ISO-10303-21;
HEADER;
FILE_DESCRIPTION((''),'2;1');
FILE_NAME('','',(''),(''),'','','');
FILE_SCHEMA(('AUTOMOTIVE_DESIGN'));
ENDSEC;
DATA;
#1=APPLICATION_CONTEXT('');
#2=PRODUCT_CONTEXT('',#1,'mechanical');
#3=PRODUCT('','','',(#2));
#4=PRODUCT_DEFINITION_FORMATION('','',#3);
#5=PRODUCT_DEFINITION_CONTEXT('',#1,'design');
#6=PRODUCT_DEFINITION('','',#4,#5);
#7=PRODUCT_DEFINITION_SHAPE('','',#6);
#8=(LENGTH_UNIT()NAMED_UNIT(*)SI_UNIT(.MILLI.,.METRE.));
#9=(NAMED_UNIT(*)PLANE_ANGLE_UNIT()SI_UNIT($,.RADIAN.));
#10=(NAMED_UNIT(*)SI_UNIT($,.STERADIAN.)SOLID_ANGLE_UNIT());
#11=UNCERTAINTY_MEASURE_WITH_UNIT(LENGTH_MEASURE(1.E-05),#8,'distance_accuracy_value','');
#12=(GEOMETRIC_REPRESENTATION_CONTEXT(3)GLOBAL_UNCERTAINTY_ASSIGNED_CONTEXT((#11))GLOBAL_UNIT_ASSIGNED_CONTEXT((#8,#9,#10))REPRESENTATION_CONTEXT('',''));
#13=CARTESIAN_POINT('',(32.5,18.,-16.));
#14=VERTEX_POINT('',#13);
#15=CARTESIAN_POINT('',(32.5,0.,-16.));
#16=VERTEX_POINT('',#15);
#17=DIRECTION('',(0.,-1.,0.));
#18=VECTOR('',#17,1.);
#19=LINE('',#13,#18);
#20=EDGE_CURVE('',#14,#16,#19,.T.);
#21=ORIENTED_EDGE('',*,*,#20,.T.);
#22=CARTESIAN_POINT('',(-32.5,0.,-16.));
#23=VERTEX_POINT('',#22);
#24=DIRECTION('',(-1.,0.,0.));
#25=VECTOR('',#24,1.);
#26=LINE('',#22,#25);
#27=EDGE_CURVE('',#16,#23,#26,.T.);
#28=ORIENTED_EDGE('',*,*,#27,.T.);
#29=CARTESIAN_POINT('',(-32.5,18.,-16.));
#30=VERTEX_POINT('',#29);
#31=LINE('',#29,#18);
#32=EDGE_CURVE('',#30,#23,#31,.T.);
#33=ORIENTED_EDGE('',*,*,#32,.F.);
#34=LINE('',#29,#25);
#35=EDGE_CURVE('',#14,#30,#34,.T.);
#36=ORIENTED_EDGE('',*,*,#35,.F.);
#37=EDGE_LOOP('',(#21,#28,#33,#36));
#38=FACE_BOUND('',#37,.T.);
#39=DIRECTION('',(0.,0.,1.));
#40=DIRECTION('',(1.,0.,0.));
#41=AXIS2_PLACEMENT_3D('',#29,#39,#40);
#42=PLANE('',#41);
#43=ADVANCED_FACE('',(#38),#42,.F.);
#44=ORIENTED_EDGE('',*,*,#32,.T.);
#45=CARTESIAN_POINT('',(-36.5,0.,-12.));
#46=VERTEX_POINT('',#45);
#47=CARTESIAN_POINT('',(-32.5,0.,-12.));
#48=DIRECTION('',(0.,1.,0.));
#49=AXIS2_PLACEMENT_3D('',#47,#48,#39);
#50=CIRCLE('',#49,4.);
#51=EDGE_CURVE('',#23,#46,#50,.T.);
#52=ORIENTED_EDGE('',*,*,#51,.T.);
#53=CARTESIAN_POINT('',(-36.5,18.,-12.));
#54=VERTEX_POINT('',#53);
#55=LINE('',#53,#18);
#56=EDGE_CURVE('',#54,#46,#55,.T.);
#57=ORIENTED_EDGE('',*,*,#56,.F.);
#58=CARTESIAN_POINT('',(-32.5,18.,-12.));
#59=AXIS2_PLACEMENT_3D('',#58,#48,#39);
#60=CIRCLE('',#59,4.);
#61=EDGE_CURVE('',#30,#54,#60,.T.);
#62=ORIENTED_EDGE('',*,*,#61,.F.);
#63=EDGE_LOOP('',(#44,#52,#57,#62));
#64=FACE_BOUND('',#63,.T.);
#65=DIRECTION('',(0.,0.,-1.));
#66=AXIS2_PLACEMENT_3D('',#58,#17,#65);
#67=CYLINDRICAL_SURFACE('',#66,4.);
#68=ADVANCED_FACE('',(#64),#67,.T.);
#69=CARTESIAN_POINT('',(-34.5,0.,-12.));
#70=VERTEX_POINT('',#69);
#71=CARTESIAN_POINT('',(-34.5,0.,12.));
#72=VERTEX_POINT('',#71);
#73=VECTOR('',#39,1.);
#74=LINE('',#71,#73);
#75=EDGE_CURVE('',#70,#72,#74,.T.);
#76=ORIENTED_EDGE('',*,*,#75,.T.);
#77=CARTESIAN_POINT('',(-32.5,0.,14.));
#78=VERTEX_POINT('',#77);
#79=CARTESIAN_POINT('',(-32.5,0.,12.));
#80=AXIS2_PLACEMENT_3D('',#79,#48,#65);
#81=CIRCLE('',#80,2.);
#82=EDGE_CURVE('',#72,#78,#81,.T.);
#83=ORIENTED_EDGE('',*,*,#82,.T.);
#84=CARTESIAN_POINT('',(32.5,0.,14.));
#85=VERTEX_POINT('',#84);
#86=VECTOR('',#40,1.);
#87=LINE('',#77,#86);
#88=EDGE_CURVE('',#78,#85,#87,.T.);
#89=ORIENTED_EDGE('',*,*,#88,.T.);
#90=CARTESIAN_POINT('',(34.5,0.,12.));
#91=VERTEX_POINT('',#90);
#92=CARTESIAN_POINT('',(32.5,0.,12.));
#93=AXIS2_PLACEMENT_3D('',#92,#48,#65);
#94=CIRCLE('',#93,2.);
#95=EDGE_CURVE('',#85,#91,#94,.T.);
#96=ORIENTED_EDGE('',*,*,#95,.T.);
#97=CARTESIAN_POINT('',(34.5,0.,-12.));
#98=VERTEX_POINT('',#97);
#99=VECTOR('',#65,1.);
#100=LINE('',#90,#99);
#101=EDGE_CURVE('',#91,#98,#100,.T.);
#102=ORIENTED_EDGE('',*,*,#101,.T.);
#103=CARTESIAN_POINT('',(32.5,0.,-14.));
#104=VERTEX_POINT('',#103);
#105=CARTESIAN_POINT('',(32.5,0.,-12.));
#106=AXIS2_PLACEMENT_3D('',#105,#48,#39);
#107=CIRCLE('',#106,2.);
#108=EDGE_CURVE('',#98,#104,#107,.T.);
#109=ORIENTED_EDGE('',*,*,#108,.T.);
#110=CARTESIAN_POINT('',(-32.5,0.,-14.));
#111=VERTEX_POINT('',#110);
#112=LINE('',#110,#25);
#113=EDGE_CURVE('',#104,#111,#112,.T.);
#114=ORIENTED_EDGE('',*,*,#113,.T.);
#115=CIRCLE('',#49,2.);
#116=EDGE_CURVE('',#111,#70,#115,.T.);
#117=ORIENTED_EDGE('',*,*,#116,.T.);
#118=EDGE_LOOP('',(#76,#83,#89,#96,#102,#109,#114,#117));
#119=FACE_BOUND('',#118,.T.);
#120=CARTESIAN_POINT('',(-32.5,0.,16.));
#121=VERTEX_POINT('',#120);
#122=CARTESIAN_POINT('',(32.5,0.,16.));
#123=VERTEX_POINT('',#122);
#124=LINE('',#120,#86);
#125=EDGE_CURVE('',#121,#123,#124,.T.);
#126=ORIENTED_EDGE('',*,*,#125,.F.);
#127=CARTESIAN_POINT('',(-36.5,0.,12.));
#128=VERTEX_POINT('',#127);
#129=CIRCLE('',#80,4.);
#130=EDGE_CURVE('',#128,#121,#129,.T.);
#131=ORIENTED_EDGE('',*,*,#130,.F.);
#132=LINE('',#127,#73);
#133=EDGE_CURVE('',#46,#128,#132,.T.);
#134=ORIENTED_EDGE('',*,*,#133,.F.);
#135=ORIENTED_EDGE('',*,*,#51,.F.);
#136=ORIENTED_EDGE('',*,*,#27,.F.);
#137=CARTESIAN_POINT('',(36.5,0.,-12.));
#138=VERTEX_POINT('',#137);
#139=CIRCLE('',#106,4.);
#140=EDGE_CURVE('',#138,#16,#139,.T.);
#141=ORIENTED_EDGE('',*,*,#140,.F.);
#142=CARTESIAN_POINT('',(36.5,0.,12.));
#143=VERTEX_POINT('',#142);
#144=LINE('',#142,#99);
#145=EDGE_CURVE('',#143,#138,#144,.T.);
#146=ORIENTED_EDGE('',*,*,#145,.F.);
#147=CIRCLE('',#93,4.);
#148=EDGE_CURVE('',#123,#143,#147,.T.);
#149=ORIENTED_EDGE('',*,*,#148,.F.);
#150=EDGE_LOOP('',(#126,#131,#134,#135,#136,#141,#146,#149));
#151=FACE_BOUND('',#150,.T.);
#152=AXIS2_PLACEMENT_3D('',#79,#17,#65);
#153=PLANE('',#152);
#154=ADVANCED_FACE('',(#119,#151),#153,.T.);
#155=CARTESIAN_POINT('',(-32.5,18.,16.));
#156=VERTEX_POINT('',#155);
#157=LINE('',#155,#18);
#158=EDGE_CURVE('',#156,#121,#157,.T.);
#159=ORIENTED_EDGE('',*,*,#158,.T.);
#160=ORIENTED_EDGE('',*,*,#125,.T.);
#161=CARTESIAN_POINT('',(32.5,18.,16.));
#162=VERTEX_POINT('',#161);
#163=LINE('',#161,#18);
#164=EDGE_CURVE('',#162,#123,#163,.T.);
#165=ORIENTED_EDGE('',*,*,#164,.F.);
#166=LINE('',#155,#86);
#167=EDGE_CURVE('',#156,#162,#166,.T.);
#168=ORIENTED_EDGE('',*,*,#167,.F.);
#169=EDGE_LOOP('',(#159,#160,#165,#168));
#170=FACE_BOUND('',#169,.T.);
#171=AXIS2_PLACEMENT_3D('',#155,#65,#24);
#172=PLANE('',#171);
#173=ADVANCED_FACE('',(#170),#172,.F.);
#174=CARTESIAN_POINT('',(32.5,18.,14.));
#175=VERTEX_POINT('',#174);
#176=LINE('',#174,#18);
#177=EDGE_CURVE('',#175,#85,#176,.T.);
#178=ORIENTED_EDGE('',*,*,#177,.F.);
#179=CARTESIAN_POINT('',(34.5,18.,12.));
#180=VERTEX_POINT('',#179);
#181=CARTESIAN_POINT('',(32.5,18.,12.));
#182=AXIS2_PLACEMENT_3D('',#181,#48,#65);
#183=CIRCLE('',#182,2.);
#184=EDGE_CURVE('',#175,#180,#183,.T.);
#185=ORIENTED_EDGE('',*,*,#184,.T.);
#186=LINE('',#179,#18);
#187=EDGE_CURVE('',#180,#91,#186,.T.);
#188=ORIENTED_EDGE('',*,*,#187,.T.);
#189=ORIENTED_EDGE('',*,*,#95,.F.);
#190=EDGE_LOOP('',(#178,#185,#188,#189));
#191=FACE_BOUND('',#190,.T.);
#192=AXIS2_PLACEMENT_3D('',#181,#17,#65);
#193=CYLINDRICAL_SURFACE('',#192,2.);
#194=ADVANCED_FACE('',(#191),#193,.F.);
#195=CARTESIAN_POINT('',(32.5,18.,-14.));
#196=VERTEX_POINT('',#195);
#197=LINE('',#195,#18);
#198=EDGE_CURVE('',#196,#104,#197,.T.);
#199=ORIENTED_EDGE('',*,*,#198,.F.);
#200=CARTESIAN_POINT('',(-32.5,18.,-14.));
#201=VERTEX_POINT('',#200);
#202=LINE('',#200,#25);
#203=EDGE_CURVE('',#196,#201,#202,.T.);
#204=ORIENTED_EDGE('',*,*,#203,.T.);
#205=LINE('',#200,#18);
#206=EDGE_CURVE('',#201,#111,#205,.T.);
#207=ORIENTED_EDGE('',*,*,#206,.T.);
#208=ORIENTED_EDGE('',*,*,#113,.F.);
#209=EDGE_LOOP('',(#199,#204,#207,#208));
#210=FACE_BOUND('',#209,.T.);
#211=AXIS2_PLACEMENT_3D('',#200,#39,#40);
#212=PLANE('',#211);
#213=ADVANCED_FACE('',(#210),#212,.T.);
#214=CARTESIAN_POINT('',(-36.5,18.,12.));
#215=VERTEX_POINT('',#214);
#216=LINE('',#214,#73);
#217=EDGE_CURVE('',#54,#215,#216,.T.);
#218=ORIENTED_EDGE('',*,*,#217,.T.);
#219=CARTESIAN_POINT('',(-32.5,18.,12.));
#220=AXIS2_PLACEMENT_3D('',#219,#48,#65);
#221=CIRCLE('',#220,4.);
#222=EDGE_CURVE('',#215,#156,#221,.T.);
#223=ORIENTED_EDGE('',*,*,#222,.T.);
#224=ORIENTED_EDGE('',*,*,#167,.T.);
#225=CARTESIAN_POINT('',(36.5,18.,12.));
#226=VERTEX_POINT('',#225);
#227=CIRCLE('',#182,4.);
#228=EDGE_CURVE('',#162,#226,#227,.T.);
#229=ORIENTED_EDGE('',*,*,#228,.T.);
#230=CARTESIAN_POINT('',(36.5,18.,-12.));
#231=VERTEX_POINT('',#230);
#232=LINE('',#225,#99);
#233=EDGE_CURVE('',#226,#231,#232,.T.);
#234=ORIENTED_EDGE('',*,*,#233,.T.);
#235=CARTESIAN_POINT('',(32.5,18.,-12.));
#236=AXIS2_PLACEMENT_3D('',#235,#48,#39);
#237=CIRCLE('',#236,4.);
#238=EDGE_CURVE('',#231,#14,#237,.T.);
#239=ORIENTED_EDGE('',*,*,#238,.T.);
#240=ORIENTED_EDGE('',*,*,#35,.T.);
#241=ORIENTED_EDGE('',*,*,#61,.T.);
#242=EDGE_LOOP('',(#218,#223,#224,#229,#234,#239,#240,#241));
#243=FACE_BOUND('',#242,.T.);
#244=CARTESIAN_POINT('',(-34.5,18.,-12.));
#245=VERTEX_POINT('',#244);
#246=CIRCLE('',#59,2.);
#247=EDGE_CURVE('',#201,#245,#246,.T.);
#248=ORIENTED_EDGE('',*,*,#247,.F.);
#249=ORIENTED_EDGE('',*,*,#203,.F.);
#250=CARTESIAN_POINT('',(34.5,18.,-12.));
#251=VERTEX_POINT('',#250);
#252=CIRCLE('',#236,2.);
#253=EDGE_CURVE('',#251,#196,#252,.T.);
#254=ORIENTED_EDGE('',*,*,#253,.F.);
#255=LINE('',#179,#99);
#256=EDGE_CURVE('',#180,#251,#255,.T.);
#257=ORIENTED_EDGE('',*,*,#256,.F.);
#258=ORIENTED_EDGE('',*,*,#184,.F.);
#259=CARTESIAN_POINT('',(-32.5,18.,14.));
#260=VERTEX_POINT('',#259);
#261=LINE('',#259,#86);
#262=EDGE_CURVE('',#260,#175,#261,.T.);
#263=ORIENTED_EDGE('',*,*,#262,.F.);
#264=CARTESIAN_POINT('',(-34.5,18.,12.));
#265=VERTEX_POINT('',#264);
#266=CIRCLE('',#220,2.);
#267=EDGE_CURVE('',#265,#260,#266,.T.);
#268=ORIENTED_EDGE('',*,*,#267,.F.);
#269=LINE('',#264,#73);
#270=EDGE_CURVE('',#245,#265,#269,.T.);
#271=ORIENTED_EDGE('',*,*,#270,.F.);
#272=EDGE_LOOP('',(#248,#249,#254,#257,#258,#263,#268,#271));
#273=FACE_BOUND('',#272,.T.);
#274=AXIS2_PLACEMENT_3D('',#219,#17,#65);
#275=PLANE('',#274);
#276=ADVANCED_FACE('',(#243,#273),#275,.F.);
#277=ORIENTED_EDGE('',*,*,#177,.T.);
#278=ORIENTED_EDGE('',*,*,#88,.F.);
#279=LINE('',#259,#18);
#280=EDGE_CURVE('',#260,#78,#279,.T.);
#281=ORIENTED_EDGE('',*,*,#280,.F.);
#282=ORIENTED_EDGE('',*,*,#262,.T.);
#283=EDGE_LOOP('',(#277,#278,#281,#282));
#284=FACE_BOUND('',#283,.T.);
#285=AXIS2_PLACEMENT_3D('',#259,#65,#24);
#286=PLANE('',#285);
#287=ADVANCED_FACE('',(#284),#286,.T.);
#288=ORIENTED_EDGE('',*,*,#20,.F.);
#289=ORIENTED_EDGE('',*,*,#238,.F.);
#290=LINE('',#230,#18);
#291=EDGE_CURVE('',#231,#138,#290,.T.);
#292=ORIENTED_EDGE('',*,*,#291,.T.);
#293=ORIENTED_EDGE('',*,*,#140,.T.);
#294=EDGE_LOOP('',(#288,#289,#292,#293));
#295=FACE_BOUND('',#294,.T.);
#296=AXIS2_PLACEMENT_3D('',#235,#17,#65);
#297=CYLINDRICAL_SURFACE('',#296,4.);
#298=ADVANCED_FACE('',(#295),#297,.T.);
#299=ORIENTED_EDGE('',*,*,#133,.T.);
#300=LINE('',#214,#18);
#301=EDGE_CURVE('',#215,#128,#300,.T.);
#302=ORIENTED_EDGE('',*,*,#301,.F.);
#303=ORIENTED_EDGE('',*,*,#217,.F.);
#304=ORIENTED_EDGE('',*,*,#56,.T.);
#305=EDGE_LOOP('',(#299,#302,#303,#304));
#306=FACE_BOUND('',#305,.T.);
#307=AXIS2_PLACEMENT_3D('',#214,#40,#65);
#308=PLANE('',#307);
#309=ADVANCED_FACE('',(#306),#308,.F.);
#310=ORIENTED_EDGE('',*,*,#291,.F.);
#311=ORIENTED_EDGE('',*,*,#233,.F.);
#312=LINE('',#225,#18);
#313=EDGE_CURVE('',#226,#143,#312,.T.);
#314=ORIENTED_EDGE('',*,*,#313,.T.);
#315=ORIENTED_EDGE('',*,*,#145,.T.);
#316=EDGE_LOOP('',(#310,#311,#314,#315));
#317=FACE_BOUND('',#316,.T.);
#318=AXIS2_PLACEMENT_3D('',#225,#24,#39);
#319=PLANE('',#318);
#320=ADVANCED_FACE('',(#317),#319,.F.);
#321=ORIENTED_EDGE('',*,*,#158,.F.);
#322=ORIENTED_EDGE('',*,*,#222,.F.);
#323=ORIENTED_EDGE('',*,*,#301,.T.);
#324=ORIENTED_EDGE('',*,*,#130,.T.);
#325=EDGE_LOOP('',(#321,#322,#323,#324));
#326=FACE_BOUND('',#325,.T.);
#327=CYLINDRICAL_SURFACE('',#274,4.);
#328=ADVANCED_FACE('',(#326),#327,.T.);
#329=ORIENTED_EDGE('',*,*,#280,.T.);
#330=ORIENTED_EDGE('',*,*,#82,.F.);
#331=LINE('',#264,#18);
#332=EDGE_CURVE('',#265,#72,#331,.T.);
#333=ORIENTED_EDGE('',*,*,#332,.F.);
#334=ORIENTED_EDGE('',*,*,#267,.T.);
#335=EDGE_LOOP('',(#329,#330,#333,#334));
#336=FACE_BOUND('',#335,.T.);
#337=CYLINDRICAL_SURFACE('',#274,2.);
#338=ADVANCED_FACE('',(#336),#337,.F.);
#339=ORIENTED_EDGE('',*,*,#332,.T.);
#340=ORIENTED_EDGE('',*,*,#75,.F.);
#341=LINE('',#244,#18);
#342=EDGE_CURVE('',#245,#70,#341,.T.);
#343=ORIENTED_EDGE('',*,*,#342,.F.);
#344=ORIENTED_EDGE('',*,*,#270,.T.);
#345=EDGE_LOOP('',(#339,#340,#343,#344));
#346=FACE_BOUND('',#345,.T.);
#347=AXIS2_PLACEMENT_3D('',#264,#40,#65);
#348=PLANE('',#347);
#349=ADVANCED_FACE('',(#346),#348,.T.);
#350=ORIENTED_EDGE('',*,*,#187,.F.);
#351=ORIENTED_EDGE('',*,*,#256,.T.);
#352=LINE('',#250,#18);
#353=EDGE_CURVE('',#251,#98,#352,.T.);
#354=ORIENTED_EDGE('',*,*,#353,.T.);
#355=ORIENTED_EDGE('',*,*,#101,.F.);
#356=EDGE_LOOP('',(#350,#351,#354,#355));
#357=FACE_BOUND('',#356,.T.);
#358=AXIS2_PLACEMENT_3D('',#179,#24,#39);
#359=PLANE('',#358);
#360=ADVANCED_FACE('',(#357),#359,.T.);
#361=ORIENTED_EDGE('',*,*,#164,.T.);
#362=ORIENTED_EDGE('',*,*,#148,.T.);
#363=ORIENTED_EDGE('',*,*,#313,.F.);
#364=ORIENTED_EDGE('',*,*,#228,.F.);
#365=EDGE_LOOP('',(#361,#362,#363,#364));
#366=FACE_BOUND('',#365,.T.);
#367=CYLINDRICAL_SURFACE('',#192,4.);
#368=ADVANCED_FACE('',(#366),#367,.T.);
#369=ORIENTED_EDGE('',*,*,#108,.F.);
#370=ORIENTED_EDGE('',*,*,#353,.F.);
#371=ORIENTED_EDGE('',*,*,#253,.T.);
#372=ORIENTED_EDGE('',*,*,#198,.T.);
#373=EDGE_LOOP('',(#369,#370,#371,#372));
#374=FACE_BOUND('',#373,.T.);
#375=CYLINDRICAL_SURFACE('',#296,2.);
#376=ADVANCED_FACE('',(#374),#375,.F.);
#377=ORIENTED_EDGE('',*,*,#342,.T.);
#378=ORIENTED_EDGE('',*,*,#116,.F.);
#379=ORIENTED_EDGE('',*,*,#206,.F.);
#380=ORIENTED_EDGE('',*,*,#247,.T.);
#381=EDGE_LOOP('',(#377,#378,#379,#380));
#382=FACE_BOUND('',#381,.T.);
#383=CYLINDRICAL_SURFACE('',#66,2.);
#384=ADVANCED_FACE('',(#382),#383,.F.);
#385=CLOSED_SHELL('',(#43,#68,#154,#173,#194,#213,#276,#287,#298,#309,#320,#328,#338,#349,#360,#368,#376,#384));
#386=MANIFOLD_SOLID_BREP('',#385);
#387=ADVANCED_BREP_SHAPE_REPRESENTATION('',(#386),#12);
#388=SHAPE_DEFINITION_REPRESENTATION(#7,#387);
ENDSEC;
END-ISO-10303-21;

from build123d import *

# Parameters (mm, degrees)
BOSS_EXTRUDE2_DEPTH = 18


with BuildPart() as part:
    # Sketch1 → Boss-Extrude2 (new body)
    with BuildSketch(Plane(origin=(0, 0, 0), x_dir=(1, 0, 0), z_dir=(0, 1, 0))):
        with BuildLine():
            Line((-36.5, -12), (-36.5, 12))
            ThreePointArc((-36.5, 12), (-35.328427125, 14.828427125), (-32.5, 16))
            Line((-32.5, 16), (32.5, 16))
            ThreePointArc((32.5, 16), (35.328427125, 14.828427125), (36.5, 12))
            Line((36.5, 12), (36.5, -12))
            ThreePointArc((36.5, -12), (35.328427125, -14.828427125), (32.5, -16))
            Line((32.5, -16), (-32.5, -16))
            ThreePointArc((-32.5, -16), (-35.328427125, -14.828427125), (-36.5, -12))
        make_face()
        with BuildLine():
            Line((-32.5, -14), (32.5, -14))
            ThreePointArc((32.5, -14), (33.914213562, -13.414213562), (34.5, -12))
            Line((34.5, -12), (34.5, 12))
            ThreePointArc((34.5, 12), (33.914213562, 13.414213562), (32.5, 14))
            Line((32.5, 14), (-32.5, 14))
            ThreePointArc((-32.5, 14), (-33.914213562, 13.414213562), (-34.5, 12))
            Line((-34.5, 12), (-34.5, -12))
            ThreePointArc((-34.5, -12), (-33.914213562, -13.414213562), (-32.5, -14))
        make_face(mode=Mode.SUBTRACT)
    extrude(amount=BOSS_EXTRUDE2_DEPTH)


solid = part.part
